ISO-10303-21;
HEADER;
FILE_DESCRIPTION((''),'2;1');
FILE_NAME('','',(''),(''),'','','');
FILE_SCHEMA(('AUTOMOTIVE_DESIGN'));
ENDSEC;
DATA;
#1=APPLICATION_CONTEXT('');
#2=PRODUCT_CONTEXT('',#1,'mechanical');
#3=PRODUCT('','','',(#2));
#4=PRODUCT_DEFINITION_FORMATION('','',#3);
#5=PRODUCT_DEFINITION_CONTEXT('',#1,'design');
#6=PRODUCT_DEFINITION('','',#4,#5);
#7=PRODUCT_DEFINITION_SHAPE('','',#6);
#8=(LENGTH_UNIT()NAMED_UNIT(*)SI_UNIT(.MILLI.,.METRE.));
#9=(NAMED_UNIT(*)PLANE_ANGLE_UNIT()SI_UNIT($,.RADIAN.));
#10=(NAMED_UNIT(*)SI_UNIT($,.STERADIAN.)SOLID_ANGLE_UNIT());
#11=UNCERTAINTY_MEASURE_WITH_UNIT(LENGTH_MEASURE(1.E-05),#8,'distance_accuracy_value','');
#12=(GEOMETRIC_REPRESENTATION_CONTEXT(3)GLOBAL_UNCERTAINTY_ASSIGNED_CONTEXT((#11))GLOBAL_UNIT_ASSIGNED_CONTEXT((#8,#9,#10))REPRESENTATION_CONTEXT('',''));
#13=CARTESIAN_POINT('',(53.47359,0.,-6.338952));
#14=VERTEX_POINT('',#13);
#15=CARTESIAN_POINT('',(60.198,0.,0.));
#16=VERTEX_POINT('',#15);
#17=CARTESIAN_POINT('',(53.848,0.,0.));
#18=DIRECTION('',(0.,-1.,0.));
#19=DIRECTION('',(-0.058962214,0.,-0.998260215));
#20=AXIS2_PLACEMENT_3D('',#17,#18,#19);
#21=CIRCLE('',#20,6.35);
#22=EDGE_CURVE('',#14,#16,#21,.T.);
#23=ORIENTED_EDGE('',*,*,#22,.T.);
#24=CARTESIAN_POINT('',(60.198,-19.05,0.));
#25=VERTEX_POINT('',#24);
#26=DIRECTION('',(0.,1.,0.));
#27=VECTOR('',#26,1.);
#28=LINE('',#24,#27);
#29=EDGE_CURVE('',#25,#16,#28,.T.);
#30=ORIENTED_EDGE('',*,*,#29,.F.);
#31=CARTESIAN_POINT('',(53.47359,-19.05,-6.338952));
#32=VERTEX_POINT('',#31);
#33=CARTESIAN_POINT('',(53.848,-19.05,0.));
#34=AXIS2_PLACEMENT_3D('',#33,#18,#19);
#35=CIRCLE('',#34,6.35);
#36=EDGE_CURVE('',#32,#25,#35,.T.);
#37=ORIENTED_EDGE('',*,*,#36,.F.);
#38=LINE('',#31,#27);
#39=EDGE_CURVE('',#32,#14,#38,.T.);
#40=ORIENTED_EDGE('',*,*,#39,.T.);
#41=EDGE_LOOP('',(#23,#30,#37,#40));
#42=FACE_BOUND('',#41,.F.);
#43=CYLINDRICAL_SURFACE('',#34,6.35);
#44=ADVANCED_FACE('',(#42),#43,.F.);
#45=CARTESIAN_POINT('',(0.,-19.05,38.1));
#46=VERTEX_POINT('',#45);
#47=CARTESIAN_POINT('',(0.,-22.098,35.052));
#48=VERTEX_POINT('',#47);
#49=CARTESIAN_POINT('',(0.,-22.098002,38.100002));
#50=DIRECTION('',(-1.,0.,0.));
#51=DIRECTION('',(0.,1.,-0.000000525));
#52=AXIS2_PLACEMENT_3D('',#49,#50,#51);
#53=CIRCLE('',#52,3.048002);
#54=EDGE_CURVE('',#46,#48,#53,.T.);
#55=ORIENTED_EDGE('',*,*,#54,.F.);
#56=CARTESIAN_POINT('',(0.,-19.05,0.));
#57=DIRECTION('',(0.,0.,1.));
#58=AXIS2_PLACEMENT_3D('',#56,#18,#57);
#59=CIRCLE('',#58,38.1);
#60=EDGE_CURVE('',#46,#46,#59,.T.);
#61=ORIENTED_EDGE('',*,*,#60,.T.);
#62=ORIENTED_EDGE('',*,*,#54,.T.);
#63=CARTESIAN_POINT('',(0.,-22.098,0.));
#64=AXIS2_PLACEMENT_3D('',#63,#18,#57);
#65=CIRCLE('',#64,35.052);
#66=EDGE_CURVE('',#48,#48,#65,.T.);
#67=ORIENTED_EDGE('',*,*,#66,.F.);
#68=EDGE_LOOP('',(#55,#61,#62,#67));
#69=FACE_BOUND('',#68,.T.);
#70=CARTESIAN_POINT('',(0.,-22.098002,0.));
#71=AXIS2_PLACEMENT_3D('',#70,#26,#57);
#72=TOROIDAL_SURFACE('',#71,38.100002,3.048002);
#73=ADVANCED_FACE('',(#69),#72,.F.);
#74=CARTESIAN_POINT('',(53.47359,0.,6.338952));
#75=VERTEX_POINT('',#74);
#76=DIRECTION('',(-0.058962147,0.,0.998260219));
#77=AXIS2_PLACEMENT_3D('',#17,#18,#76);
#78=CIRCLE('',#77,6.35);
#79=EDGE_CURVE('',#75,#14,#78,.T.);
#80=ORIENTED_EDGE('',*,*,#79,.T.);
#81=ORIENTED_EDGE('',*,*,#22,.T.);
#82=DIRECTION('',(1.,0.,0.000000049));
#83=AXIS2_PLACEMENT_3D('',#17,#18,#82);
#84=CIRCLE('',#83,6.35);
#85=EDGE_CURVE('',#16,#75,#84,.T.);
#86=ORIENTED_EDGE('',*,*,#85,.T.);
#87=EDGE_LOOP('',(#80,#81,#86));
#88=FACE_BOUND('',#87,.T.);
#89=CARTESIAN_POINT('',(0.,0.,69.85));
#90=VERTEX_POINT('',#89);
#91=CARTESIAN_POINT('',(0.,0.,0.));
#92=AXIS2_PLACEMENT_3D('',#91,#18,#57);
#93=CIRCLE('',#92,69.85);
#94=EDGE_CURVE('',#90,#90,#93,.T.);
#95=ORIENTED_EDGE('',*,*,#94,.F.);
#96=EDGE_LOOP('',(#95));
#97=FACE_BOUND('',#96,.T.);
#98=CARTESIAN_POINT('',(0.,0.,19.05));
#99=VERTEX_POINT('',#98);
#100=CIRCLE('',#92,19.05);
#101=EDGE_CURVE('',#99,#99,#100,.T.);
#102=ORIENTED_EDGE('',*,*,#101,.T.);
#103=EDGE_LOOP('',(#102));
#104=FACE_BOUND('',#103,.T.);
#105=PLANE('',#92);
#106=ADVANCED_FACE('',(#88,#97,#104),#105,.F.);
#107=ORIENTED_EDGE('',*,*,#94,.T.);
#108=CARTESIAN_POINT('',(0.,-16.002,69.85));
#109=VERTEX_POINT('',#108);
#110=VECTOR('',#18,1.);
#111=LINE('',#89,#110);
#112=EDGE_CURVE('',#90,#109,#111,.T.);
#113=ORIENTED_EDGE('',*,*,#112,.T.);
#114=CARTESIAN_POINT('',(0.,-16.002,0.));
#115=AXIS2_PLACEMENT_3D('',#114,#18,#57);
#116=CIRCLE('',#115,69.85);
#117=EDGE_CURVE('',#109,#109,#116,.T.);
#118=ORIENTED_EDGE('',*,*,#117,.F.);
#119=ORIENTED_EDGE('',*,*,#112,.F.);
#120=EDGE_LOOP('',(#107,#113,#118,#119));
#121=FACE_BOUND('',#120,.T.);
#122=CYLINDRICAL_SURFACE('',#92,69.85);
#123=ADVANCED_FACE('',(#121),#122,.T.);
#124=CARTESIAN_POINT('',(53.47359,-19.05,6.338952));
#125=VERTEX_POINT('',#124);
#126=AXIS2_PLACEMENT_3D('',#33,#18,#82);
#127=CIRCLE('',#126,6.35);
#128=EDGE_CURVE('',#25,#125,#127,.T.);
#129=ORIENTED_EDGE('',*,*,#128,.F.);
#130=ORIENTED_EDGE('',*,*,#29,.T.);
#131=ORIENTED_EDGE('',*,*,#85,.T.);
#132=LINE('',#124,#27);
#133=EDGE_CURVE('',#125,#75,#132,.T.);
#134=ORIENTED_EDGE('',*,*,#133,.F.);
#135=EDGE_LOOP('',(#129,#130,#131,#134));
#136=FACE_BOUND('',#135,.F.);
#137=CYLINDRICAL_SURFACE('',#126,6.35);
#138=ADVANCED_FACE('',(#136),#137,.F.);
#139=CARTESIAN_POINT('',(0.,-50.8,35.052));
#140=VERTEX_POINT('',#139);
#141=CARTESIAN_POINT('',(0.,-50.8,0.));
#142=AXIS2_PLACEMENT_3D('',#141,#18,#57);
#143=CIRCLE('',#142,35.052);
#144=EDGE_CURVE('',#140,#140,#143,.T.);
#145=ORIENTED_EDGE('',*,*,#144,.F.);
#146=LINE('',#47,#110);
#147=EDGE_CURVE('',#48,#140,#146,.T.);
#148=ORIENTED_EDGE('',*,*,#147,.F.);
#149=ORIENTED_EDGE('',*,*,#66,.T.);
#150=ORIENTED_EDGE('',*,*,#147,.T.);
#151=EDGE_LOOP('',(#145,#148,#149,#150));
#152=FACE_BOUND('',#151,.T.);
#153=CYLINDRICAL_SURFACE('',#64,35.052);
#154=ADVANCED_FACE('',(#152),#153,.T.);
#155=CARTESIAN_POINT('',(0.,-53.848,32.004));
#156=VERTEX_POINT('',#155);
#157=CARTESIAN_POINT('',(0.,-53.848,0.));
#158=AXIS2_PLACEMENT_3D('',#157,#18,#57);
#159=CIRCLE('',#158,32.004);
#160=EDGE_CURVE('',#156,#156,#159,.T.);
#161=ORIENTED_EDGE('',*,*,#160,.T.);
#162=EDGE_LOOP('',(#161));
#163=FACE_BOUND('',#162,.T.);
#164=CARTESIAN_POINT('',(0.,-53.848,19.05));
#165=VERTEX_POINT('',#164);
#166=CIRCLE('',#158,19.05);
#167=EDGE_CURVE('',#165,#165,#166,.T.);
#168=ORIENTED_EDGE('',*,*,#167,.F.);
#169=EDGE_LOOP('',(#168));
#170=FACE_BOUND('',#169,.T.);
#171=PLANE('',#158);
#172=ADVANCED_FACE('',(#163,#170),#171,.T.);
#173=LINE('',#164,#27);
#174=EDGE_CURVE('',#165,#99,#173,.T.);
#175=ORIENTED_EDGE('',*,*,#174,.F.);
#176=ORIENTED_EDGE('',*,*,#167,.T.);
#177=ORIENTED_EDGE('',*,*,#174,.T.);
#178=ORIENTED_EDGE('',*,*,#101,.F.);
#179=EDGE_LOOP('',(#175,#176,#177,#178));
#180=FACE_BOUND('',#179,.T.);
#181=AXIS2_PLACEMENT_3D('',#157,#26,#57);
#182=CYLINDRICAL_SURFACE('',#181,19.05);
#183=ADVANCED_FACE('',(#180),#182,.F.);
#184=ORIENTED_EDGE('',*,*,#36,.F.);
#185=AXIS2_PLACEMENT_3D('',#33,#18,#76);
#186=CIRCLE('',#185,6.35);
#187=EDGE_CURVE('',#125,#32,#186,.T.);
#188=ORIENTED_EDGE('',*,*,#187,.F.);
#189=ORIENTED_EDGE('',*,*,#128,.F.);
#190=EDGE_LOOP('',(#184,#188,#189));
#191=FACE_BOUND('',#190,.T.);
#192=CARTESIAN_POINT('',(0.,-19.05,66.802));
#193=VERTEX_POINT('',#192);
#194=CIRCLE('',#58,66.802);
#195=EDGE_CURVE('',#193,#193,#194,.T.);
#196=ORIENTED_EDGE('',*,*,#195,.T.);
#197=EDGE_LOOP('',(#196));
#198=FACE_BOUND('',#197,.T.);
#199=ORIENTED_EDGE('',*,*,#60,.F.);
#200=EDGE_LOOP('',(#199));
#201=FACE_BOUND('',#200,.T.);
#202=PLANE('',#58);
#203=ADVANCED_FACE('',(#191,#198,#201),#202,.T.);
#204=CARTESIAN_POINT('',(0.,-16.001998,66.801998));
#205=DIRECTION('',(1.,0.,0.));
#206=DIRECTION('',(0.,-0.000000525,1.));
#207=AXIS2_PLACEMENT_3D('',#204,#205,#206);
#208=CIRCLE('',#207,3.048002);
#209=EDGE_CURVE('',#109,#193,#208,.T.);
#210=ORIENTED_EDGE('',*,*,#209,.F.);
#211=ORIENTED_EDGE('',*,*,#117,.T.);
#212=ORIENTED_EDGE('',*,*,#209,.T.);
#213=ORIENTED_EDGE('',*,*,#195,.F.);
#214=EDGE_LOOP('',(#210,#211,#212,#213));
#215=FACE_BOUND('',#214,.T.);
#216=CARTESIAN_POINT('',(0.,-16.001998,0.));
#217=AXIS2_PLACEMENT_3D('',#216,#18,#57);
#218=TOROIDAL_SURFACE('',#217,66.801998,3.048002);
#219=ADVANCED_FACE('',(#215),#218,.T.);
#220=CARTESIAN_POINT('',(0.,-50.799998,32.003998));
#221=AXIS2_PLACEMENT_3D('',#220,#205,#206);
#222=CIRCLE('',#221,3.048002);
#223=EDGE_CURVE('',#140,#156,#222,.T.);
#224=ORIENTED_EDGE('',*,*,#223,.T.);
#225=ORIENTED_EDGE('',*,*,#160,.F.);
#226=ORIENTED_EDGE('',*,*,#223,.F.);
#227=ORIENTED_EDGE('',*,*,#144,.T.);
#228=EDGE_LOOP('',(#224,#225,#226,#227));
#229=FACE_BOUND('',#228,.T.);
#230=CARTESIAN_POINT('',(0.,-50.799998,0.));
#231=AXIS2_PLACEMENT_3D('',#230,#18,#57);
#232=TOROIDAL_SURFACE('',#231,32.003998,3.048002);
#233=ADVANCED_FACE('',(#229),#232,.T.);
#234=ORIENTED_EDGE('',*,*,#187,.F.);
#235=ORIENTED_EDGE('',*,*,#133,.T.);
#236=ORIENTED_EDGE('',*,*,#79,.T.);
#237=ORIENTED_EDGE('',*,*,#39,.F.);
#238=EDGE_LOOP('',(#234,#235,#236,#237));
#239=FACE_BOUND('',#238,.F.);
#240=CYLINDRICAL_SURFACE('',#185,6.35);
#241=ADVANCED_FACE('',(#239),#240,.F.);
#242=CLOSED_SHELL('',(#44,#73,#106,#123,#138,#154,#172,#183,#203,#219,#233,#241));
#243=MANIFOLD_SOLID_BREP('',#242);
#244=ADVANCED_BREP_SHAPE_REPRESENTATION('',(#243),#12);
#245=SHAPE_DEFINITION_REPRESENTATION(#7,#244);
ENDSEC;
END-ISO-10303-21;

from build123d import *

# Parameters (mm, degrees)
F3_DEPTH = 25.4


with BuildPart() as f1:
    # F0 (on Right) → F1 (revolve)
    with BuildSketch(Plane.YZ):
        with BuildLine():
            Line((-53.848, 19.05), (0, 19.05))
            Line((0, 19.05), (0, 69.85))
            Line((0, 69.85), (-16.002, 69.85))
            ThreePointArc((-16.002, 69.85), (-18.157261, 68.957261), (-19.05, 66.802))
            Line((-19.05, 66.802), (-19.05, 38.1))
            ThreePointArc((-19.05, 38.1), (-19.942739, 35.944739), (-22.098, 35.052))
            Line((-22.098, 35.052), (-50.8, 35.052))
            ThreePointArc((-50.8, 35.052), (-52.955261, 34.159261), (-53.848, 32.004))
            Line((-53.848, 32.004), (-53.848, 19.05))
        make_face()
    revolve(axis=Axis((0, -13.569978, 0), (0, -1, 0)))

    # F2 (on face) → F3 (cut)
    with BuildSketch(Plane.XZ.offset(19.05)):
        with BuildLine():
            ThreePointArc((53.47359, -6.338952), (53.754316, -3.175), (53.848, 0))
            ThreePointArc((53.848, 0), (53.754316, 3.175), (53.47359, 6.338952))
            ThreePointArc((53.47359, 6.338952), (47.498, 0), (53.47359, -6.338952))
        make_face()
        with BuildLine():
            ThreePointArc((53.47359, 6.338952), (53.754316, 3.175), (53.848, 0))
            ThreePointArc((53.848, 0), (53.754316, -3.175), (53.47359, -6.338952))
            ThreePointArc((53.47359, -6.338952), (58.203743, -4.620606), (60.198, 0))
            ThreePointArc((60.198, 0), (58.203743, 4.620606), (53.47359, 6.338952))
        make_face()
    extrude(amount=-F3_DEPTH, mode=Mode.SUBTRACT)


solid = f1.part
